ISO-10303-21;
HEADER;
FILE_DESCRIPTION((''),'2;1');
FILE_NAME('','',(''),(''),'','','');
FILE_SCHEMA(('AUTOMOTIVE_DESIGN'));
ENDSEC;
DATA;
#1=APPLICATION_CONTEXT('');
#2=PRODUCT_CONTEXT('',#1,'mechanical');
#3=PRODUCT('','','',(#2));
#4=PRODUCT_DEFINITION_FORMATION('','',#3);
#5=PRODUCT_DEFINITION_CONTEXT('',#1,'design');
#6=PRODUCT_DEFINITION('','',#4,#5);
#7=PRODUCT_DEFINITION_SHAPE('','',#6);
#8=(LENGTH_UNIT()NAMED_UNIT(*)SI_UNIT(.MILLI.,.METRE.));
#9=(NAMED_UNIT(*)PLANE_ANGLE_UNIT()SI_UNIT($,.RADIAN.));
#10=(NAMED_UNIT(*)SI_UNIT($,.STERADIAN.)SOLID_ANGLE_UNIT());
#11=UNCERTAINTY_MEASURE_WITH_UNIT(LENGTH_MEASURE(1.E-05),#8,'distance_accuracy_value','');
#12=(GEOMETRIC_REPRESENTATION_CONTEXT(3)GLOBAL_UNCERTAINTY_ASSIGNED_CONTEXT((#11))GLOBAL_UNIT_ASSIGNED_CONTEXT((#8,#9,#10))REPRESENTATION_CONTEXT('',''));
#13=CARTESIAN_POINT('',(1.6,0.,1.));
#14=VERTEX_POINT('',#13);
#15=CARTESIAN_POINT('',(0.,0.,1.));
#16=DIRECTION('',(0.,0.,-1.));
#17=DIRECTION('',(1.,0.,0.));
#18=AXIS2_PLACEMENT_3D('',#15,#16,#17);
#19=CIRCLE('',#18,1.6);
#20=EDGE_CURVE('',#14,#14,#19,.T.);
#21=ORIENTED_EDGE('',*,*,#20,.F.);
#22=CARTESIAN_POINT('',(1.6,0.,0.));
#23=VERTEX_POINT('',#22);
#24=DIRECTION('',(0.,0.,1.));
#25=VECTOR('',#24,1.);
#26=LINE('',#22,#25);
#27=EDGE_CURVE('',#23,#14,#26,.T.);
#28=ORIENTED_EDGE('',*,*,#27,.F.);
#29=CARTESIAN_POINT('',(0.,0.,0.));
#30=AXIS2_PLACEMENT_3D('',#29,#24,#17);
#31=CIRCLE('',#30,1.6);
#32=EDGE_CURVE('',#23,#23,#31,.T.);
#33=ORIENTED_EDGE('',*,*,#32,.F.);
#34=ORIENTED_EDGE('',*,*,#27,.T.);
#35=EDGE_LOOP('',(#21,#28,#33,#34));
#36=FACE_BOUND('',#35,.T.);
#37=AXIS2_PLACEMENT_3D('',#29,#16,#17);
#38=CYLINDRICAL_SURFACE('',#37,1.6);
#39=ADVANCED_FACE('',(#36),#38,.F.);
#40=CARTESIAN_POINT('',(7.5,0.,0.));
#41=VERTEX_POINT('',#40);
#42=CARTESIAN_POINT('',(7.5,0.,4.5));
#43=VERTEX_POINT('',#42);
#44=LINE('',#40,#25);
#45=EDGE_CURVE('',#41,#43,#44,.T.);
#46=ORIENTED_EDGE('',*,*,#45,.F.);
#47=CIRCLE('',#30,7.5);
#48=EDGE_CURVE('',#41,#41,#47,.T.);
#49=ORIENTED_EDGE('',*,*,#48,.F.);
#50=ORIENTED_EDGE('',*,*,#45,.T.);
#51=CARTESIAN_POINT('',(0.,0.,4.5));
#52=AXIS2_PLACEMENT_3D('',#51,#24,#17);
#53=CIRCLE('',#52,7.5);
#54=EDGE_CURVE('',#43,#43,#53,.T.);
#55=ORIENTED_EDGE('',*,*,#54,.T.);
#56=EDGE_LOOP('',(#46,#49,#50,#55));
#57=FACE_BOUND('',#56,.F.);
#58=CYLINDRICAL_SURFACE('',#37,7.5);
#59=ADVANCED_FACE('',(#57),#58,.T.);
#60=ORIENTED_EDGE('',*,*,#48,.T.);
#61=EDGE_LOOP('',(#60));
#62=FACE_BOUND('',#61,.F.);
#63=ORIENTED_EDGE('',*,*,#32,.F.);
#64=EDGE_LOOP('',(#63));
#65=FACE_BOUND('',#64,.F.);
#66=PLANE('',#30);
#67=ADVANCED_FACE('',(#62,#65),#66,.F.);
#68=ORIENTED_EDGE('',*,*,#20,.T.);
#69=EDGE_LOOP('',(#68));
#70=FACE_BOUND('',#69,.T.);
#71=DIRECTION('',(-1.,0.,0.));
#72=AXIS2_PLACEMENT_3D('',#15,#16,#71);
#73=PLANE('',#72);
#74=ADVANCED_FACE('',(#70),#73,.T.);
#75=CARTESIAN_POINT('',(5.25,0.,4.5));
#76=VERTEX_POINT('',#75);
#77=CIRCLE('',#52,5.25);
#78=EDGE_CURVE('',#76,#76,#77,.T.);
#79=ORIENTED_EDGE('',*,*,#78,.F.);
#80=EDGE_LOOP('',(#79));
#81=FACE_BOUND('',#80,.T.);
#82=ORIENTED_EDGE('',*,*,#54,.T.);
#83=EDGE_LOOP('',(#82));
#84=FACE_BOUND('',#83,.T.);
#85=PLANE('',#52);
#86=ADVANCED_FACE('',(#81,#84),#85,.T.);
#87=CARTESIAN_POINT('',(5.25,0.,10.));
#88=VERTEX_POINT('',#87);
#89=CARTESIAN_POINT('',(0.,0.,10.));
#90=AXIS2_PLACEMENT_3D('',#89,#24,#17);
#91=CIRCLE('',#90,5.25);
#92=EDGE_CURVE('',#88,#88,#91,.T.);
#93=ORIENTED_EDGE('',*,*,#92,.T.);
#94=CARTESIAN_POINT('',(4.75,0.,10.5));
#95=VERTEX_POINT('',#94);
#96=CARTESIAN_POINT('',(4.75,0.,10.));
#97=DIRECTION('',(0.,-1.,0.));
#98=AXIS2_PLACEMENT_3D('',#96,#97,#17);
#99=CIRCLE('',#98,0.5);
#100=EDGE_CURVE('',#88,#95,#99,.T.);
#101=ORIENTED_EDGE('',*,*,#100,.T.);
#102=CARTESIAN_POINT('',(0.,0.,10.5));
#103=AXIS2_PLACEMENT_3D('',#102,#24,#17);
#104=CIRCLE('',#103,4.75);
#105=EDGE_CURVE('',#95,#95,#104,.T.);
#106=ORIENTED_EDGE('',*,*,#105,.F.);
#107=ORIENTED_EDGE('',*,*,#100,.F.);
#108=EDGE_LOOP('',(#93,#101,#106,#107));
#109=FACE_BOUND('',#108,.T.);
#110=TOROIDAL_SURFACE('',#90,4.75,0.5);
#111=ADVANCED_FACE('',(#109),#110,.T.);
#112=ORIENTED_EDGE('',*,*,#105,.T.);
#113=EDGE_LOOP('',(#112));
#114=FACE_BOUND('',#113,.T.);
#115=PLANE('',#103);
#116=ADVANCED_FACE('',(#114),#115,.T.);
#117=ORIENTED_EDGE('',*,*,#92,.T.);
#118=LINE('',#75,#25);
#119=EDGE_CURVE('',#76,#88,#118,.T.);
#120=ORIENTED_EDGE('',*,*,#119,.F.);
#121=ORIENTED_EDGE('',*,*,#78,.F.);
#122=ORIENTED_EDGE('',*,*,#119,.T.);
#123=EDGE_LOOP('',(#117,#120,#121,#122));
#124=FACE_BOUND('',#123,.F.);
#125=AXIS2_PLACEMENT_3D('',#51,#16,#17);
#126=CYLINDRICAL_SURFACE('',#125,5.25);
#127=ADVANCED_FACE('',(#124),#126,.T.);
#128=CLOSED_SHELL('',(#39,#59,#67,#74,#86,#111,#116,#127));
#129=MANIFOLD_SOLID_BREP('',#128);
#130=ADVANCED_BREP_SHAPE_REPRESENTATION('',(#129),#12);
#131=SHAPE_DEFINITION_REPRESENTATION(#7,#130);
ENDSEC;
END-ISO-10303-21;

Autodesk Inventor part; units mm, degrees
ref_plane "YZ Plane" through (0, 0, 0) normal (1, 0, 0) x (0, 1, 0)
ref_plane "XZ Plane" through (0, 0, 0) normal (0, 1, 0) x (-1, 0, 0)
ref_plane "XY Plane" through (0, 0, 0) normal (0, 0, 1) x (1, 0, 0)
sketch "Sketch1" plane through (0, 0, 0) normal (0, 0, 1) x (1, 0, 0)
  circle A0 centre (0, 0) radius 7.5
  circle A1 centre (0, 0) radius 1.6
  dimension "d0" = 15
  dimension "d1" = 3.2
extrude "Ydre diameter" add sketch "Sketch1" along normal blind 4.5
sketch "Sketch2" plane through (0, 0, 4.5) normal (0, 0, 1) x (1, 0, 0)
  circle A0 centre (0, 0) radius 5.25
  dimension "d4" = 10.5
extrude "Indre diameter" add sketch "Sketch2" along normal blind 6
fillet "Fillet1" radius 0.5 1 edges at (-5.25, 0, 10.5)
sketch "Sketch3" plane through (0, 0, 4.5) normal (0, 0, -1) x (-1, 0, 0)
  circle A0 centre (0, 0) radius 1.6 projected
extrude "Reducering af indre hul" add sketch "Sketch3" along normal blind 3.5
properties part number "NØD-knap"
